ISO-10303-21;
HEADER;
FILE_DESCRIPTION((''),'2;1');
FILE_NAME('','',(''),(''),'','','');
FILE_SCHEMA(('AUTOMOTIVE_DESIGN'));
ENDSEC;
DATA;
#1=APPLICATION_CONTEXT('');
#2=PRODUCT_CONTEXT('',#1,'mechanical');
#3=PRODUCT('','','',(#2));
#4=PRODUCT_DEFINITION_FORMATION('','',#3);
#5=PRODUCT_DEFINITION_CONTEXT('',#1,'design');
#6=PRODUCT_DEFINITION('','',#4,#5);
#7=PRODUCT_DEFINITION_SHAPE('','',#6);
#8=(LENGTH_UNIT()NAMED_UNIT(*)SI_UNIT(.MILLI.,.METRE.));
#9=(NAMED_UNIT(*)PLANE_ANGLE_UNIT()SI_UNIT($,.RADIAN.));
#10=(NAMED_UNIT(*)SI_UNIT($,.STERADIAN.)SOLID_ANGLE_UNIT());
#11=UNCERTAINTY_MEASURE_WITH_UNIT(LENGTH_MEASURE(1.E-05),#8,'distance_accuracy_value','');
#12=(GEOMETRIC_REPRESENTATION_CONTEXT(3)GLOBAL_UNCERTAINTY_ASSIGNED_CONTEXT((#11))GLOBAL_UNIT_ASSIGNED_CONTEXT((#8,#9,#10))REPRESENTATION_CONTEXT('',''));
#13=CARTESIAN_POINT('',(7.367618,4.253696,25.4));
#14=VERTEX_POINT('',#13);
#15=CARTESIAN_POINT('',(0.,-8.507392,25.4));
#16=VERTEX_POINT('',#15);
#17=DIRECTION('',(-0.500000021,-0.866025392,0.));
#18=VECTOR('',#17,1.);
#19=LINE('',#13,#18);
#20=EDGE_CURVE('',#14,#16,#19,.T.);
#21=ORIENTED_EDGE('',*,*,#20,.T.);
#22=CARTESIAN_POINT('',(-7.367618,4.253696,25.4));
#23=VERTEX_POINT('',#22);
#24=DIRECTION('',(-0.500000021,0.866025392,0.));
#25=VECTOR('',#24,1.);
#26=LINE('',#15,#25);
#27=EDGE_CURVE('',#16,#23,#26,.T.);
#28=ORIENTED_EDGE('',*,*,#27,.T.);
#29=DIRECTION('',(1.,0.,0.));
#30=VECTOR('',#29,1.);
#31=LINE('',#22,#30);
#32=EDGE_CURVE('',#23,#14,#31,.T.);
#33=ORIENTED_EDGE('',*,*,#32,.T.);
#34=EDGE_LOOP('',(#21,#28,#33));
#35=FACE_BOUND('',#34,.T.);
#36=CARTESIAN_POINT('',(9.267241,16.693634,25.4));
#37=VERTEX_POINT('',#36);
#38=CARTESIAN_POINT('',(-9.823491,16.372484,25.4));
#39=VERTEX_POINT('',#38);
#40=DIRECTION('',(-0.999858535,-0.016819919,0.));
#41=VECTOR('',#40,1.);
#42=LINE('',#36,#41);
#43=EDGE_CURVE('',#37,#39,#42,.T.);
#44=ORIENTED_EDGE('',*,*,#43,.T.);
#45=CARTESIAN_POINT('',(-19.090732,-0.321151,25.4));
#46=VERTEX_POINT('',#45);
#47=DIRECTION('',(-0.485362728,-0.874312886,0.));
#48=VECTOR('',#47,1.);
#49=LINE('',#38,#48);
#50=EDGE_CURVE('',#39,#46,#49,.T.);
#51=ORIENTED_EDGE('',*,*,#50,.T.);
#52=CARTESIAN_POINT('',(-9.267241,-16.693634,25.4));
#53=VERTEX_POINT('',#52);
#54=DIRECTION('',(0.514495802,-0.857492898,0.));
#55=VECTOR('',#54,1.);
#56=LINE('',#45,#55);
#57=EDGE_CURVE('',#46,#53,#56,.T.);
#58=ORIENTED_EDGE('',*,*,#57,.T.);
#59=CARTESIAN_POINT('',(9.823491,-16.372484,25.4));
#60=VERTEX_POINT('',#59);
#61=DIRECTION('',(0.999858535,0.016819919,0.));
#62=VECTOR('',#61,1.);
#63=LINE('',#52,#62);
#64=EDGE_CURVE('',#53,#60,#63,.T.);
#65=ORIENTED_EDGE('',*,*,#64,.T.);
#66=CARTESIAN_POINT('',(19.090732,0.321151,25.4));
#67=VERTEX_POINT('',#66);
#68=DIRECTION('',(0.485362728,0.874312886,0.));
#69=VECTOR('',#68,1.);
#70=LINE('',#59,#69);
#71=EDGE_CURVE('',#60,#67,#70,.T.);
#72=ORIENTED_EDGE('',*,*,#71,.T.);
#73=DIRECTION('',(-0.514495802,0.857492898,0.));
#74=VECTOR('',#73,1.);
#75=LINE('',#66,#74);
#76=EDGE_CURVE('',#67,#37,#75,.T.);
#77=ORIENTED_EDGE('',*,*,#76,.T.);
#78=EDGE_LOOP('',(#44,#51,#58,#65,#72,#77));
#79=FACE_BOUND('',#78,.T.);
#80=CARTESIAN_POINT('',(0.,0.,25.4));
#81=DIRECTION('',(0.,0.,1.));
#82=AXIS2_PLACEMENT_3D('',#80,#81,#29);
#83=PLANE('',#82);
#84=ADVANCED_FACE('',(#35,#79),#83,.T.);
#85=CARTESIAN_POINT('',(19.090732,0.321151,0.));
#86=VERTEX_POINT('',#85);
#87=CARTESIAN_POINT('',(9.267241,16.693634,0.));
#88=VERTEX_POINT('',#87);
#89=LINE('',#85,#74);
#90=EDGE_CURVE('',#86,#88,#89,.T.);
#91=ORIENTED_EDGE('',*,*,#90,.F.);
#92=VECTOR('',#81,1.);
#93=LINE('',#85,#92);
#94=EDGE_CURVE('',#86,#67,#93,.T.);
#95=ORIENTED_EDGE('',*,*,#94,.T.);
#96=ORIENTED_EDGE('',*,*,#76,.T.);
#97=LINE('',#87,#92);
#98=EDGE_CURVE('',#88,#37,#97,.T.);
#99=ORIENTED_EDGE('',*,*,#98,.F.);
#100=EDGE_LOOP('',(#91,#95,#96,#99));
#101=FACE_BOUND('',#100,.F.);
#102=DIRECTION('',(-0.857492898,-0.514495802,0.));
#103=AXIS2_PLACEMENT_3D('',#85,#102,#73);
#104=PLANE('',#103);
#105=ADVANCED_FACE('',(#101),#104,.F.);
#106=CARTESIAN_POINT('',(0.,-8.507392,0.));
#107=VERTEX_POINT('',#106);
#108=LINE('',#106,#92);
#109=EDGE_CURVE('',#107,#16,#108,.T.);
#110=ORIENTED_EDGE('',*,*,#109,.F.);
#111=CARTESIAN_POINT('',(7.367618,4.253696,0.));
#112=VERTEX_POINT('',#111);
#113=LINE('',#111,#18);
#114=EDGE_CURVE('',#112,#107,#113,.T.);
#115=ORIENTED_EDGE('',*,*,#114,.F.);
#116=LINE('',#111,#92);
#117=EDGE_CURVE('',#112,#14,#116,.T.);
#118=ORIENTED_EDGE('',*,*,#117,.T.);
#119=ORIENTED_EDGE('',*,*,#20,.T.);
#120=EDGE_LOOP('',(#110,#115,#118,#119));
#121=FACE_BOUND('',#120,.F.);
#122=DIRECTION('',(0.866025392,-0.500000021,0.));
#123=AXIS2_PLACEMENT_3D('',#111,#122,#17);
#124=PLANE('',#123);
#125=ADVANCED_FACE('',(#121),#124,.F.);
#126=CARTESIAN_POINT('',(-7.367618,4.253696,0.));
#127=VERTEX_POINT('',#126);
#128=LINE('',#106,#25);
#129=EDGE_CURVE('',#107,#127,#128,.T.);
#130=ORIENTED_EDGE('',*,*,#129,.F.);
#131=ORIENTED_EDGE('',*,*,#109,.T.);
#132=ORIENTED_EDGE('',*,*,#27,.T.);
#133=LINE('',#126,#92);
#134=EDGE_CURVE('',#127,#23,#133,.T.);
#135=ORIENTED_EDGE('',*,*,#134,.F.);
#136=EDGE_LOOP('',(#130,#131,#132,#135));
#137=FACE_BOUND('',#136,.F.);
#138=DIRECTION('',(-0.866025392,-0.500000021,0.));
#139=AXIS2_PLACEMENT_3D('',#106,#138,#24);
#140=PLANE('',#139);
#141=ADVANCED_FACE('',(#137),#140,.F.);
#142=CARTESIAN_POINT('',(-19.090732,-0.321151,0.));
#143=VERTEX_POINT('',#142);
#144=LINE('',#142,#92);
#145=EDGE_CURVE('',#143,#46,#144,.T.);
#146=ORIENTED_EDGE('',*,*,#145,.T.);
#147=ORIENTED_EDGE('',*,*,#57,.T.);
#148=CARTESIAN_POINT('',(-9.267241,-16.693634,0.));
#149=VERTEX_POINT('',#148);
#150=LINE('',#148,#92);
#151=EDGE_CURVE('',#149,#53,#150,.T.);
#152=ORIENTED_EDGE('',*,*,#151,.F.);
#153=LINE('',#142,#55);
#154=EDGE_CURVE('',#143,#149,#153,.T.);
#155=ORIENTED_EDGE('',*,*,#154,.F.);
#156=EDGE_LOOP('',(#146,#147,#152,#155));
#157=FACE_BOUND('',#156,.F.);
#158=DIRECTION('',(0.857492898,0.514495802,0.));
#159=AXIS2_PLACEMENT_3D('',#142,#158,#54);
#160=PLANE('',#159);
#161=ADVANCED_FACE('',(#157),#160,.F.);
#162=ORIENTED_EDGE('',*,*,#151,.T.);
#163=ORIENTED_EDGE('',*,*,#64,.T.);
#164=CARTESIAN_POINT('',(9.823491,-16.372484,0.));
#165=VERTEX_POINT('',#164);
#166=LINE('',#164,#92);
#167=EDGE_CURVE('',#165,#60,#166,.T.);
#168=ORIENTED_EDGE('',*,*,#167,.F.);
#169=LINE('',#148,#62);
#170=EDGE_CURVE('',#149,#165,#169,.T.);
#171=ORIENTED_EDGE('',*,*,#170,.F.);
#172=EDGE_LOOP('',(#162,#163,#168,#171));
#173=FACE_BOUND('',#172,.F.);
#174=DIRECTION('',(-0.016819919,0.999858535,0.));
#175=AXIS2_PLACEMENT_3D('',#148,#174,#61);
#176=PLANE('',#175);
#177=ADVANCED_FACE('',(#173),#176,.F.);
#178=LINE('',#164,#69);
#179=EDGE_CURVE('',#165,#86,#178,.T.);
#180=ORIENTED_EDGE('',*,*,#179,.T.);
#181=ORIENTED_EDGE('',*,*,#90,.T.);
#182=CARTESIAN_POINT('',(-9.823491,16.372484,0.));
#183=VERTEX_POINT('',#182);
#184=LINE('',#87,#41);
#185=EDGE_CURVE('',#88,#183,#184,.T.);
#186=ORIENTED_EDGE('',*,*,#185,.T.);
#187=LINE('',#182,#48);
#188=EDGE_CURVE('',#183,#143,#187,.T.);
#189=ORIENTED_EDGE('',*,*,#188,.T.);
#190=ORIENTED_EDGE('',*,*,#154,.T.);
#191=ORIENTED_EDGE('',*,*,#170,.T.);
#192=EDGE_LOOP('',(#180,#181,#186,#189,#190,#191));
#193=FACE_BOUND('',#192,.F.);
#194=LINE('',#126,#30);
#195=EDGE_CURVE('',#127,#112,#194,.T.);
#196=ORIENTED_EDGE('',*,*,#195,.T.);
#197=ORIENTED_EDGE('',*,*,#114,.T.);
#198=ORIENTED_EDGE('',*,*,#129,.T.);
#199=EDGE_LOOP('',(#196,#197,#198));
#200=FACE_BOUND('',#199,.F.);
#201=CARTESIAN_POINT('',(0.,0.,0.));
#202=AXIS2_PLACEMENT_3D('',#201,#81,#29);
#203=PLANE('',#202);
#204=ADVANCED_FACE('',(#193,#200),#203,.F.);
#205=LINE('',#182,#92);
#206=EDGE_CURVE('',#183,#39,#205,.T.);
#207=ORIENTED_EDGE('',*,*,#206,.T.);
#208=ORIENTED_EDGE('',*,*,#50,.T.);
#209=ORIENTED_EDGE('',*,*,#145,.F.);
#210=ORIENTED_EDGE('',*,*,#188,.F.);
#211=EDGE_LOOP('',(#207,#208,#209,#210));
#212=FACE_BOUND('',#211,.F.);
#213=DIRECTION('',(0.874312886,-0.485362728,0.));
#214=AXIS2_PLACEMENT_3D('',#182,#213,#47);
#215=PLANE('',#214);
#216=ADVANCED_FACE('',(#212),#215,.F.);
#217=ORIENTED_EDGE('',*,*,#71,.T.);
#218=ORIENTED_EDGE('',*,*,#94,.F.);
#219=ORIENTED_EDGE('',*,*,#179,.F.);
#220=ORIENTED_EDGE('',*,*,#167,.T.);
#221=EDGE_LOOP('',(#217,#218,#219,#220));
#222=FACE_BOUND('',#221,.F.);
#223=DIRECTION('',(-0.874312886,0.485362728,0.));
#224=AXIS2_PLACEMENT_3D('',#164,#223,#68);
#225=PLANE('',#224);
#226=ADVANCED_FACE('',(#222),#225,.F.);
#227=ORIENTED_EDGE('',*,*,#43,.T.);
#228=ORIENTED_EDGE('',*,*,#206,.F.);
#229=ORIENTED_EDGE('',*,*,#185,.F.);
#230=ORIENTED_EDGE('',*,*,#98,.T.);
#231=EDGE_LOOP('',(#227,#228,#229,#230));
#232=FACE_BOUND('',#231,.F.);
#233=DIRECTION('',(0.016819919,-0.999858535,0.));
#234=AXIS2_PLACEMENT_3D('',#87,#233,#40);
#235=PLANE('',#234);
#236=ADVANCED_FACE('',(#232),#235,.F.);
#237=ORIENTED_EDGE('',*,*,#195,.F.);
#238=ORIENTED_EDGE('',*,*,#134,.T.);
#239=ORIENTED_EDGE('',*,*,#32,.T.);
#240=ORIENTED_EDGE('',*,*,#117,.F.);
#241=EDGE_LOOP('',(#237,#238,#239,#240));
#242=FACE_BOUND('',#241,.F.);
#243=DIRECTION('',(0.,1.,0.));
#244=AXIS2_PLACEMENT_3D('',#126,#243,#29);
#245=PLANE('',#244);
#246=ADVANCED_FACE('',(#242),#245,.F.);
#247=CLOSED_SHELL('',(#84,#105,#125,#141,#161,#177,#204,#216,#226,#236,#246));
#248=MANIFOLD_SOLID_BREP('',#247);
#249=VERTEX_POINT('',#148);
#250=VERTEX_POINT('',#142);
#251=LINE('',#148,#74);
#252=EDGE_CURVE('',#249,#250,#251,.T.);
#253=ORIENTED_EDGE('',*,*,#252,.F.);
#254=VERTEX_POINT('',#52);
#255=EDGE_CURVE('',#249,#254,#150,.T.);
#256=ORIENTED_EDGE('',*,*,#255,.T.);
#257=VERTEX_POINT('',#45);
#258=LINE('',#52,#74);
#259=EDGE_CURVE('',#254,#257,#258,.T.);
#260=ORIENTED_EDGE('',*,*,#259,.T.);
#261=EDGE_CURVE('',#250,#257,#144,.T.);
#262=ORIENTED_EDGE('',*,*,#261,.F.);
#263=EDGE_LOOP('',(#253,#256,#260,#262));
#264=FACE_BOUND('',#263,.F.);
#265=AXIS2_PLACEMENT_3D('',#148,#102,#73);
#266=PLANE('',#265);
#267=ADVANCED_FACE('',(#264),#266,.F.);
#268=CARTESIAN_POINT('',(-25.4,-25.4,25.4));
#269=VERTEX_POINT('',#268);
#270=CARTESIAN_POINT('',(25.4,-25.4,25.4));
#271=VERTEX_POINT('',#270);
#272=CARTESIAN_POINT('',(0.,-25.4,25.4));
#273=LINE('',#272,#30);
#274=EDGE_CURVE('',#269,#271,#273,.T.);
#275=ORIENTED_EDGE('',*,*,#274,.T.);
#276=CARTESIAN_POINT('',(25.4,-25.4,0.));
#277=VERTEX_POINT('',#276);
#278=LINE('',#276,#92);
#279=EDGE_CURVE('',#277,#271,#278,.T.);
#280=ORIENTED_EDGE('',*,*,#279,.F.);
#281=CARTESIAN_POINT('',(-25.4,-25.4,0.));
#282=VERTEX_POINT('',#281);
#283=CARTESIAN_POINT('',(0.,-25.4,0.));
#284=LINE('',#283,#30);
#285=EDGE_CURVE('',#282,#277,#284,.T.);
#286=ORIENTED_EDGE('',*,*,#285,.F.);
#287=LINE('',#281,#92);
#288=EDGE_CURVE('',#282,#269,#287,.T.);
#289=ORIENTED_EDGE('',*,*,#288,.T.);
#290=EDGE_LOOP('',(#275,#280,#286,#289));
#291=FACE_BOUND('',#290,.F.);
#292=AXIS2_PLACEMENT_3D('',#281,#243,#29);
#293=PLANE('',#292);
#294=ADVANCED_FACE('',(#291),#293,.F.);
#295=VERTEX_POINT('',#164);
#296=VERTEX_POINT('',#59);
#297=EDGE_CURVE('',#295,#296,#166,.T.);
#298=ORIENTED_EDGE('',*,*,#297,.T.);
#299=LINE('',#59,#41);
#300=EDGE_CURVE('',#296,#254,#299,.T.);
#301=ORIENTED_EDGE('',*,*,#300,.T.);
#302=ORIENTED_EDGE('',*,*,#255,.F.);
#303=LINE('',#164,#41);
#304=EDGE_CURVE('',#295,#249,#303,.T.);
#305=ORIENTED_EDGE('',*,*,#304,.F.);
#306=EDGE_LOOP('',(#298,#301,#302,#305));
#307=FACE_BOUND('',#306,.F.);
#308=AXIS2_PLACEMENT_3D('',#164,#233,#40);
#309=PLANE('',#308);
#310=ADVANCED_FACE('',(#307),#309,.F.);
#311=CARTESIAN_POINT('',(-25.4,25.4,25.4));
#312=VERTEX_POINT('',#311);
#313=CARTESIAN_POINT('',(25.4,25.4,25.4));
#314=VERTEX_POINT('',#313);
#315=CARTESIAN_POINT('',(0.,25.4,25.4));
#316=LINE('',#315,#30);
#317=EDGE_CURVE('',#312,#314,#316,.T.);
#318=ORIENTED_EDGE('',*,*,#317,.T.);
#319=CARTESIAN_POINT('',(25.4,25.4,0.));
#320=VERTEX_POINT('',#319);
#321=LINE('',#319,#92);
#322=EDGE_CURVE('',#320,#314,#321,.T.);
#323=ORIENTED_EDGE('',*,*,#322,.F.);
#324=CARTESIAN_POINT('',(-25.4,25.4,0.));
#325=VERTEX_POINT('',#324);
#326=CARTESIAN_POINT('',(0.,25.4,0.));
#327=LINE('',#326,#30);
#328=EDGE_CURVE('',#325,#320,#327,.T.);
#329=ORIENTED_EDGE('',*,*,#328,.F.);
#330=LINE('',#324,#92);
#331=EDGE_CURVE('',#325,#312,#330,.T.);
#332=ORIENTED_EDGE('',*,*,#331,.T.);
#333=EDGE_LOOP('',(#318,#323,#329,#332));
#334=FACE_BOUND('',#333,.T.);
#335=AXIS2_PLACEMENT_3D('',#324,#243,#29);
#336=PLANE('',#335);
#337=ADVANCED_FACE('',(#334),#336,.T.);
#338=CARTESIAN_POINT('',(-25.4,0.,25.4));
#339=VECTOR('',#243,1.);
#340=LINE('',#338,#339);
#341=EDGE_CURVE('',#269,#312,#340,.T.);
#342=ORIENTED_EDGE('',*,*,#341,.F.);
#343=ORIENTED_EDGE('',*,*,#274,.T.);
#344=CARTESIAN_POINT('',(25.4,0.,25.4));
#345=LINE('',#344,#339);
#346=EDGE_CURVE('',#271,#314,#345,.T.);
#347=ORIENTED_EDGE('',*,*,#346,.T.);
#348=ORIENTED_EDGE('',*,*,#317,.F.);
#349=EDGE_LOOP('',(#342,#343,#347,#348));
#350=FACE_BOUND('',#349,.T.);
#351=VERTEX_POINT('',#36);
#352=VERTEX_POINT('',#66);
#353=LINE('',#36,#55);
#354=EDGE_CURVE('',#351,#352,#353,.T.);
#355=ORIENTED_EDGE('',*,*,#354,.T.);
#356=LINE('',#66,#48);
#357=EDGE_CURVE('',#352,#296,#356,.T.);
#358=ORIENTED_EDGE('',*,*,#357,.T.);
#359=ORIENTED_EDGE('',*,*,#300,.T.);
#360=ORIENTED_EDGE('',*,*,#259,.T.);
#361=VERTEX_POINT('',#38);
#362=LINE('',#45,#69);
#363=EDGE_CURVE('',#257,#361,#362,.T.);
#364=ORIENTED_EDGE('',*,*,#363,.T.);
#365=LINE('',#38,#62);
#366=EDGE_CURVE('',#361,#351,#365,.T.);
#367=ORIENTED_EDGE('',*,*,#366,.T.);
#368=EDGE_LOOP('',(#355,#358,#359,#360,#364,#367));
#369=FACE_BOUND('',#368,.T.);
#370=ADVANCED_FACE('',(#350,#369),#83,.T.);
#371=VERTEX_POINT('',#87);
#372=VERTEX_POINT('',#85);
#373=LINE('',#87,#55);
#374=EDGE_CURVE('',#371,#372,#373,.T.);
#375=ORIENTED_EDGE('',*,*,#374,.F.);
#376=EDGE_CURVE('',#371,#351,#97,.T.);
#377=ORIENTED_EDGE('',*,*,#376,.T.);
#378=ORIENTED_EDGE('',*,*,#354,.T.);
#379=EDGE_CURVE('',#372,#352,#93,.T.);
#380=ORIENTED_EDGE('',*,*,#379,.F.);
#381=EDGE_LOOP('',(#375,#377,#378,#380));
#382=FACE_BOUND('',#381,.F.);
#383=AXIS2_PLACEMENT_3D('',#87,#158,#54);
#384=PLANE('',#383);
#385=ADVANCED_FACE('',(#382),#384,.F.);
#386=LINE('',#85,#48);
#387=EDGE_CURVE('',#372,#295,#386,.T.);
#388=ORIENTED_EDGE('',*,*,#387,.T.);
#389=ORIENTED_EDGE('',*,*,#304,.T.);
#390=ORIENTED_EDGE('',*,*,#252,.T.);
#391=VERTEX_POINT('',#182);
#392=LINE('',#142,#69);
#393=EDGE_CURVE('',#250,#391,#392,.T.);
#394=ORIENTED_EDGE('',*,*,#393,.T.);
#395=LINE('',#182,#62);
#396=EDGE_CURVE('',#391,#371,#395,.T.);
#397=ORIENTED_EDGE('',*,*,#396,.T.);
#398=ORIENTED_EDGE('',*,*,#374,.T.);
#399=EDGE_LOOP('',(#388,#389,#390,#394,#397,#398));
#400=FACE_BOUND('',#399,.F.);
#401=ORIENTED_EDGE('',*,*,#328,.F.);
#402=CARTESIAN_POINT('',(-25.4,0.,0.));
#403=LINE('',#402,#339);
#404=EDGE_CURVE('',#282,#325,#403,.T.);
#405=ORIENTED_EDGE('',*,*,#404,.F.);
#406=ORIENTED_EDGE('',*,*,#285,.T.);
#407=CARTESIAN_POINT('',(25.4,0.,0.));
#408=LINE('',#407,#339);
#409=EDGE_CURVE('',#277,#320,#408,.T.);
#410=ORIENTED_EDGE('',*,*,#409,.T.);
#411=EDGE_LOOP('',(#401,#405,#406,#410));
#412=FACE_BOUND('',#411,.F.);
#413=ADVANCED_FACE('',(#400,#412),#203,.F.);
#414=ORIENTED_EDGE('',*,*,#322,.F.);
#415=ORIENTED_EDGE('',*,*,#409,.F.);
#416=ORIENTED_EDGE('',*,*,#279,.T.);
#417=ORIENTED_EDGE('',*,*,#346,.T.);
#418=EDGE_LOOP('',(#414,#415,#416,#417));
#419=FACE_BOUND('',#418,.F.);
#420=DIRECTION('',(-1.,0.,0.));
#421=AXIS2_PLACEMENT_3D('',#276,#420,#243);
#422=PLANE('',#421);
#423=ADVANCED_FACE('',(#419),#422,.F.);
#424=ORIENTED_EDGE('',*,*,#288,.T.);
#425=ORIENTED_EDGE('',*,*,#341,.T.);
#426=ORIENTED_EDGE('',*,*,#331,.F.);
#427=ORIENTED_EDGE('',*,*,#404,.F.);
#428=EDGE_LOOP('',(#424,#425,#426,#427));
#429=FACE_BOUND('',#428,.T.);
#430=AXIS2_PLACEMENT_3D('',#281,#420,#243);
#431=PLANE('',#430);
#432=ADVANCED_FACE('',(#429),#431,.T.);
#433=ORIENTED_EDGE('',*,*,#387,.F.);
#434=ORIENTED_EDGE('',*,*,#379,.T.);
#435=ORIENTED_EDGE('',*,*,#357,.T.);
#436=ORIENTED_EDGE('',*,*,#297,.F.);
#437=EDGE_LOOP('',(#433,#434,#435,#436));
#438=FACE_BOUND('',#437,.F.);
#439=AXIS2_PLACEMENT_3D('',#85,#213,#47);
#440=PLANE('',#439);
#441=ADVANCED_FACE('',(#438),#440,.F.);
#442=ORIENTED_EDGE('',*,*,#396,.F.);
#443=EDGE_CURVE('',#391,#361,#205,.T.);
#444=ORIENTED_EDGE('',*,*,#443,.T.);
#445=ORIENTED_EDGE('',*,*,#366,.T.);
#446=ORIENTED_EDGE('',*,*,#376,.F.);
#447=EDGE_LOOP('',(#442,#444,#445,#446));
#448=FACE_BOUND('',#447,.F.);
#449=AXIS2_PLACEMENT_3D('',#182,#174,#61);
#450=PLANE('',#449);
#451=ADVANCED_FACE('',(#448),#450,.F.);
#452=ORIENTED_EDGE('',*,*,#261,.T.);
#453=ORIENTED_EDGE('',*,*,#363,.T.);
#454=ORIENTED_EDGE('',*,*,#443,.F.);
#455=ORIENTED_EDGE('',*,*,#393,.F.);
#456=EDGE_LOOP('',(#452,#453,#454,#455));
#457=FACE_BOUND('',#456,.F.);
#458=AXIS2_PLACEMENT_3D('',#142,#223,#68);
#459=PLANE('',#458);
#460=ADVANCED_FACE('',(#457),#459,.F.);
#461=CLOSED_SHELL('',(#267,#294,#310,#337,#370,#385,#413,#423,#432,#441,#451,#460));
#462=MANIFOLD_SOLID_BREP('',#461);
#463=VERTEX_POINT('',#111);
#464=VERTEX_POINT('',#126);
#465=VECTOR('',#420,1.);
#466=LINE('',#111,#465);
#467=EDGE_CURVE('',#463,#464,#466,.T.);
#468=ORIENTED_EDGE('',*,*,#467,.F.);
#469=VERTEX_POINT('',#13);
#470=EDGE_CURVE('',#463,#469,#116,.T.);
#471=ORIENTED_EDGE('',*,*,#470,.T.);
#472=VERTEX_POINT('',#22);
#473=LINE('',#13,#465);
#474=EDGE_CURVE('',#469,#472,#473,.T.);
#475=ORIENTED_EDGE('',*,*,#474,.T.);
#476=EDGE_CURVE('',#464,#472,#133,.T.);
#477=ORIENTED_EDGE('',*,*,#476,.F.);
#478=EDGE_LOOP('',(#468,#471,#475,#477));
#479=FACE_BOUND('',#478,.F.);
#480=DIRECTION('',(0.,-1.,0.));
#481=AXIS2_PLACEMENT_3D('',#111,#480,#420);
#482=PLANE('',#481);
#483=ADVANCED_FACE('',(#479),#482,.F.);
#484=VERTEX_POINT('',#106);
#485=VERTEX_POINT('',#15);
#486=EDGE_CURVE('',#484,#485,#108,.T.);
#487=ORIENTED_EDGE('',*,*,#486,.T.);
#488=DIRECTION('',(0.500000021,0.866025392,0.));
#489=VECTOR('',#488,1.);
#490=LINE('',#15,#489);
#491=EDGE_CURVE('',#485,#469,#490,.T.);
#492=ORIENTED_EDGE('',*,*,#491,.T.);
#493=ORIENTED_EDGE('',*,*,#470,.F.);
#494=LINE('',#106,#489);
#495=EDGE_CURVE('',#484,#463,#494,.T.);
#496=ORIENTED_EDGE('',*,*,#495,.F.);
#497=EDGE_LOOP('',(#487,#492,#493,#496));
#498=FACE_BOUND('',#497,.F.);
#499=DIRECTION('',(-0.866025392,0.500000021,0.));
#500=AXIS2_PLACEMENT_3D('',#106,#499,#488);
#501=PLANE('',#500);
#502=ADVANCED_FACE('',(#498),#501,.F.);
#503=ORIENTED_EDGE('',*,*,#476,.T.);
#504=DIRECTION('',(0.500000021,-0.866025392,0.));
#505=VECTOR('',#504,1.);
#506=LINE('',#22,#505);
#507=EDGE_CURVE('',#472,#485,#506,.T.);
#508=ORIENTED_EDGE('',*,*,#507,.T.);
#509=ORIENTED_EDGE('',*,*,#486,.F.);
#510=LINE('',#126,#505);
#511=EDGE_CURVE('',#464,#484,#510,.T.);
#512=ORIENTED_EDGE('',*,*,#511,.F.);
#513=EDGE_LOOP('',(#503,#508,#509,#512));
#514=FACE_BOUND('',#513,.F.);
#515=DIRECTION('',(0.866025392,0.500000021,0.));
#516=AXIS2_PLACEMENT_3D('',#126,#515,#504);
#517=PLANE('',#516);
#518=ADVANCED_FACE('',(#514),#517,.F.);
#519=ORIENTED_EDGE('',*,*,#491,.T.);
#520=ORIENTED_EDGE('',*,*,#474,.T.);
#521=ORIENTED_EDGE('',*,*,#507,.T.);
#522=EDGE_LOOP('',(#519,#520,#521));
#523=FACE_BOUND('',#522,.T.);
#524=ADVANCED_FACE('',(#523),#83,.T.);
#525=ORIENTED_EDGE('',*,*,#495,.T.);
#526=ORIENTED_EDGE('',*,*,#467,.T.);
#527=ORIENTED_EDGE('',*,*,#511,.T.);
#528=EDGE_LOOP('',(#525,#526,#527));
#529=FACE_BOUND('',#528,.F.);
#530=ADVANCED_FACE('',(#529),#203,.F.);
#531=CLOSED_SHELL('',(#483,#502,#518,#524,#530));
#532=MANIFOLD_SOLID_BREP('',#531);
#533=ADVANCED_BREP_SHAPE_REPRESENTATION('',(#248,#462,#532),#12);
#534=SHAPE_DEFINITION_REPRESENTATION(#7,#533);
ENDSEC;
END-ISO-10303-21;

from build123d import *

# Parameters (mm, degrees)
F0_W     = 50.8
F0_H     = 50.8
F1_DEPTH = 25.4
F2_DEPTH = 25.4
F3_DEPTH = 25.4


with BuildPart() as f1:
    # F0 (on Top) → F1 (new body)
    with BuildSketch(Plane.XY):
        Rectangle(F0_W, F0_H)
        Polygon((-9.823491, 16.372484), (9.267241, 16.693634), (19.090732, 0.321151), (9.823491, -16.372484), (-9.267241, -16.693634), (-19.090732, -0.321151), align=None, mode=Mode.SUBTRACT)
    extrude(amount=F1_DEPTH)


with BuildPart() as f2:
    # F0 (on Top) → F2 (new body)
    with BuildSketch(Plane.XY):
        Polygon((19.090732, 0.321151), (9.267241, 16.693634), (-9.823491, 16.372484), (-19.090732, -0.321151), (-9.267241, -16.693634), (9.823491, -16.372484), align=None)
        Polygon((0, -8.507392), (-7.367618, 4.253696), (7.367618, 4.253696), align=None, mode=Mode.SUBTRACT)
    extrude(amount=F2_DEPTH)


with BuildPart() as f3:
    # F0 (on Top) → F3 (new body)
    with BuildSketch(Plane.XY):
        Polygon((7.367618, 4.253696), (-7.367618, 4.253696), (0, -8.507392), align=None)
    extrude(amount=F3_DEPTH)


solid = Compound([f1.part, f2.part, f3.part])
